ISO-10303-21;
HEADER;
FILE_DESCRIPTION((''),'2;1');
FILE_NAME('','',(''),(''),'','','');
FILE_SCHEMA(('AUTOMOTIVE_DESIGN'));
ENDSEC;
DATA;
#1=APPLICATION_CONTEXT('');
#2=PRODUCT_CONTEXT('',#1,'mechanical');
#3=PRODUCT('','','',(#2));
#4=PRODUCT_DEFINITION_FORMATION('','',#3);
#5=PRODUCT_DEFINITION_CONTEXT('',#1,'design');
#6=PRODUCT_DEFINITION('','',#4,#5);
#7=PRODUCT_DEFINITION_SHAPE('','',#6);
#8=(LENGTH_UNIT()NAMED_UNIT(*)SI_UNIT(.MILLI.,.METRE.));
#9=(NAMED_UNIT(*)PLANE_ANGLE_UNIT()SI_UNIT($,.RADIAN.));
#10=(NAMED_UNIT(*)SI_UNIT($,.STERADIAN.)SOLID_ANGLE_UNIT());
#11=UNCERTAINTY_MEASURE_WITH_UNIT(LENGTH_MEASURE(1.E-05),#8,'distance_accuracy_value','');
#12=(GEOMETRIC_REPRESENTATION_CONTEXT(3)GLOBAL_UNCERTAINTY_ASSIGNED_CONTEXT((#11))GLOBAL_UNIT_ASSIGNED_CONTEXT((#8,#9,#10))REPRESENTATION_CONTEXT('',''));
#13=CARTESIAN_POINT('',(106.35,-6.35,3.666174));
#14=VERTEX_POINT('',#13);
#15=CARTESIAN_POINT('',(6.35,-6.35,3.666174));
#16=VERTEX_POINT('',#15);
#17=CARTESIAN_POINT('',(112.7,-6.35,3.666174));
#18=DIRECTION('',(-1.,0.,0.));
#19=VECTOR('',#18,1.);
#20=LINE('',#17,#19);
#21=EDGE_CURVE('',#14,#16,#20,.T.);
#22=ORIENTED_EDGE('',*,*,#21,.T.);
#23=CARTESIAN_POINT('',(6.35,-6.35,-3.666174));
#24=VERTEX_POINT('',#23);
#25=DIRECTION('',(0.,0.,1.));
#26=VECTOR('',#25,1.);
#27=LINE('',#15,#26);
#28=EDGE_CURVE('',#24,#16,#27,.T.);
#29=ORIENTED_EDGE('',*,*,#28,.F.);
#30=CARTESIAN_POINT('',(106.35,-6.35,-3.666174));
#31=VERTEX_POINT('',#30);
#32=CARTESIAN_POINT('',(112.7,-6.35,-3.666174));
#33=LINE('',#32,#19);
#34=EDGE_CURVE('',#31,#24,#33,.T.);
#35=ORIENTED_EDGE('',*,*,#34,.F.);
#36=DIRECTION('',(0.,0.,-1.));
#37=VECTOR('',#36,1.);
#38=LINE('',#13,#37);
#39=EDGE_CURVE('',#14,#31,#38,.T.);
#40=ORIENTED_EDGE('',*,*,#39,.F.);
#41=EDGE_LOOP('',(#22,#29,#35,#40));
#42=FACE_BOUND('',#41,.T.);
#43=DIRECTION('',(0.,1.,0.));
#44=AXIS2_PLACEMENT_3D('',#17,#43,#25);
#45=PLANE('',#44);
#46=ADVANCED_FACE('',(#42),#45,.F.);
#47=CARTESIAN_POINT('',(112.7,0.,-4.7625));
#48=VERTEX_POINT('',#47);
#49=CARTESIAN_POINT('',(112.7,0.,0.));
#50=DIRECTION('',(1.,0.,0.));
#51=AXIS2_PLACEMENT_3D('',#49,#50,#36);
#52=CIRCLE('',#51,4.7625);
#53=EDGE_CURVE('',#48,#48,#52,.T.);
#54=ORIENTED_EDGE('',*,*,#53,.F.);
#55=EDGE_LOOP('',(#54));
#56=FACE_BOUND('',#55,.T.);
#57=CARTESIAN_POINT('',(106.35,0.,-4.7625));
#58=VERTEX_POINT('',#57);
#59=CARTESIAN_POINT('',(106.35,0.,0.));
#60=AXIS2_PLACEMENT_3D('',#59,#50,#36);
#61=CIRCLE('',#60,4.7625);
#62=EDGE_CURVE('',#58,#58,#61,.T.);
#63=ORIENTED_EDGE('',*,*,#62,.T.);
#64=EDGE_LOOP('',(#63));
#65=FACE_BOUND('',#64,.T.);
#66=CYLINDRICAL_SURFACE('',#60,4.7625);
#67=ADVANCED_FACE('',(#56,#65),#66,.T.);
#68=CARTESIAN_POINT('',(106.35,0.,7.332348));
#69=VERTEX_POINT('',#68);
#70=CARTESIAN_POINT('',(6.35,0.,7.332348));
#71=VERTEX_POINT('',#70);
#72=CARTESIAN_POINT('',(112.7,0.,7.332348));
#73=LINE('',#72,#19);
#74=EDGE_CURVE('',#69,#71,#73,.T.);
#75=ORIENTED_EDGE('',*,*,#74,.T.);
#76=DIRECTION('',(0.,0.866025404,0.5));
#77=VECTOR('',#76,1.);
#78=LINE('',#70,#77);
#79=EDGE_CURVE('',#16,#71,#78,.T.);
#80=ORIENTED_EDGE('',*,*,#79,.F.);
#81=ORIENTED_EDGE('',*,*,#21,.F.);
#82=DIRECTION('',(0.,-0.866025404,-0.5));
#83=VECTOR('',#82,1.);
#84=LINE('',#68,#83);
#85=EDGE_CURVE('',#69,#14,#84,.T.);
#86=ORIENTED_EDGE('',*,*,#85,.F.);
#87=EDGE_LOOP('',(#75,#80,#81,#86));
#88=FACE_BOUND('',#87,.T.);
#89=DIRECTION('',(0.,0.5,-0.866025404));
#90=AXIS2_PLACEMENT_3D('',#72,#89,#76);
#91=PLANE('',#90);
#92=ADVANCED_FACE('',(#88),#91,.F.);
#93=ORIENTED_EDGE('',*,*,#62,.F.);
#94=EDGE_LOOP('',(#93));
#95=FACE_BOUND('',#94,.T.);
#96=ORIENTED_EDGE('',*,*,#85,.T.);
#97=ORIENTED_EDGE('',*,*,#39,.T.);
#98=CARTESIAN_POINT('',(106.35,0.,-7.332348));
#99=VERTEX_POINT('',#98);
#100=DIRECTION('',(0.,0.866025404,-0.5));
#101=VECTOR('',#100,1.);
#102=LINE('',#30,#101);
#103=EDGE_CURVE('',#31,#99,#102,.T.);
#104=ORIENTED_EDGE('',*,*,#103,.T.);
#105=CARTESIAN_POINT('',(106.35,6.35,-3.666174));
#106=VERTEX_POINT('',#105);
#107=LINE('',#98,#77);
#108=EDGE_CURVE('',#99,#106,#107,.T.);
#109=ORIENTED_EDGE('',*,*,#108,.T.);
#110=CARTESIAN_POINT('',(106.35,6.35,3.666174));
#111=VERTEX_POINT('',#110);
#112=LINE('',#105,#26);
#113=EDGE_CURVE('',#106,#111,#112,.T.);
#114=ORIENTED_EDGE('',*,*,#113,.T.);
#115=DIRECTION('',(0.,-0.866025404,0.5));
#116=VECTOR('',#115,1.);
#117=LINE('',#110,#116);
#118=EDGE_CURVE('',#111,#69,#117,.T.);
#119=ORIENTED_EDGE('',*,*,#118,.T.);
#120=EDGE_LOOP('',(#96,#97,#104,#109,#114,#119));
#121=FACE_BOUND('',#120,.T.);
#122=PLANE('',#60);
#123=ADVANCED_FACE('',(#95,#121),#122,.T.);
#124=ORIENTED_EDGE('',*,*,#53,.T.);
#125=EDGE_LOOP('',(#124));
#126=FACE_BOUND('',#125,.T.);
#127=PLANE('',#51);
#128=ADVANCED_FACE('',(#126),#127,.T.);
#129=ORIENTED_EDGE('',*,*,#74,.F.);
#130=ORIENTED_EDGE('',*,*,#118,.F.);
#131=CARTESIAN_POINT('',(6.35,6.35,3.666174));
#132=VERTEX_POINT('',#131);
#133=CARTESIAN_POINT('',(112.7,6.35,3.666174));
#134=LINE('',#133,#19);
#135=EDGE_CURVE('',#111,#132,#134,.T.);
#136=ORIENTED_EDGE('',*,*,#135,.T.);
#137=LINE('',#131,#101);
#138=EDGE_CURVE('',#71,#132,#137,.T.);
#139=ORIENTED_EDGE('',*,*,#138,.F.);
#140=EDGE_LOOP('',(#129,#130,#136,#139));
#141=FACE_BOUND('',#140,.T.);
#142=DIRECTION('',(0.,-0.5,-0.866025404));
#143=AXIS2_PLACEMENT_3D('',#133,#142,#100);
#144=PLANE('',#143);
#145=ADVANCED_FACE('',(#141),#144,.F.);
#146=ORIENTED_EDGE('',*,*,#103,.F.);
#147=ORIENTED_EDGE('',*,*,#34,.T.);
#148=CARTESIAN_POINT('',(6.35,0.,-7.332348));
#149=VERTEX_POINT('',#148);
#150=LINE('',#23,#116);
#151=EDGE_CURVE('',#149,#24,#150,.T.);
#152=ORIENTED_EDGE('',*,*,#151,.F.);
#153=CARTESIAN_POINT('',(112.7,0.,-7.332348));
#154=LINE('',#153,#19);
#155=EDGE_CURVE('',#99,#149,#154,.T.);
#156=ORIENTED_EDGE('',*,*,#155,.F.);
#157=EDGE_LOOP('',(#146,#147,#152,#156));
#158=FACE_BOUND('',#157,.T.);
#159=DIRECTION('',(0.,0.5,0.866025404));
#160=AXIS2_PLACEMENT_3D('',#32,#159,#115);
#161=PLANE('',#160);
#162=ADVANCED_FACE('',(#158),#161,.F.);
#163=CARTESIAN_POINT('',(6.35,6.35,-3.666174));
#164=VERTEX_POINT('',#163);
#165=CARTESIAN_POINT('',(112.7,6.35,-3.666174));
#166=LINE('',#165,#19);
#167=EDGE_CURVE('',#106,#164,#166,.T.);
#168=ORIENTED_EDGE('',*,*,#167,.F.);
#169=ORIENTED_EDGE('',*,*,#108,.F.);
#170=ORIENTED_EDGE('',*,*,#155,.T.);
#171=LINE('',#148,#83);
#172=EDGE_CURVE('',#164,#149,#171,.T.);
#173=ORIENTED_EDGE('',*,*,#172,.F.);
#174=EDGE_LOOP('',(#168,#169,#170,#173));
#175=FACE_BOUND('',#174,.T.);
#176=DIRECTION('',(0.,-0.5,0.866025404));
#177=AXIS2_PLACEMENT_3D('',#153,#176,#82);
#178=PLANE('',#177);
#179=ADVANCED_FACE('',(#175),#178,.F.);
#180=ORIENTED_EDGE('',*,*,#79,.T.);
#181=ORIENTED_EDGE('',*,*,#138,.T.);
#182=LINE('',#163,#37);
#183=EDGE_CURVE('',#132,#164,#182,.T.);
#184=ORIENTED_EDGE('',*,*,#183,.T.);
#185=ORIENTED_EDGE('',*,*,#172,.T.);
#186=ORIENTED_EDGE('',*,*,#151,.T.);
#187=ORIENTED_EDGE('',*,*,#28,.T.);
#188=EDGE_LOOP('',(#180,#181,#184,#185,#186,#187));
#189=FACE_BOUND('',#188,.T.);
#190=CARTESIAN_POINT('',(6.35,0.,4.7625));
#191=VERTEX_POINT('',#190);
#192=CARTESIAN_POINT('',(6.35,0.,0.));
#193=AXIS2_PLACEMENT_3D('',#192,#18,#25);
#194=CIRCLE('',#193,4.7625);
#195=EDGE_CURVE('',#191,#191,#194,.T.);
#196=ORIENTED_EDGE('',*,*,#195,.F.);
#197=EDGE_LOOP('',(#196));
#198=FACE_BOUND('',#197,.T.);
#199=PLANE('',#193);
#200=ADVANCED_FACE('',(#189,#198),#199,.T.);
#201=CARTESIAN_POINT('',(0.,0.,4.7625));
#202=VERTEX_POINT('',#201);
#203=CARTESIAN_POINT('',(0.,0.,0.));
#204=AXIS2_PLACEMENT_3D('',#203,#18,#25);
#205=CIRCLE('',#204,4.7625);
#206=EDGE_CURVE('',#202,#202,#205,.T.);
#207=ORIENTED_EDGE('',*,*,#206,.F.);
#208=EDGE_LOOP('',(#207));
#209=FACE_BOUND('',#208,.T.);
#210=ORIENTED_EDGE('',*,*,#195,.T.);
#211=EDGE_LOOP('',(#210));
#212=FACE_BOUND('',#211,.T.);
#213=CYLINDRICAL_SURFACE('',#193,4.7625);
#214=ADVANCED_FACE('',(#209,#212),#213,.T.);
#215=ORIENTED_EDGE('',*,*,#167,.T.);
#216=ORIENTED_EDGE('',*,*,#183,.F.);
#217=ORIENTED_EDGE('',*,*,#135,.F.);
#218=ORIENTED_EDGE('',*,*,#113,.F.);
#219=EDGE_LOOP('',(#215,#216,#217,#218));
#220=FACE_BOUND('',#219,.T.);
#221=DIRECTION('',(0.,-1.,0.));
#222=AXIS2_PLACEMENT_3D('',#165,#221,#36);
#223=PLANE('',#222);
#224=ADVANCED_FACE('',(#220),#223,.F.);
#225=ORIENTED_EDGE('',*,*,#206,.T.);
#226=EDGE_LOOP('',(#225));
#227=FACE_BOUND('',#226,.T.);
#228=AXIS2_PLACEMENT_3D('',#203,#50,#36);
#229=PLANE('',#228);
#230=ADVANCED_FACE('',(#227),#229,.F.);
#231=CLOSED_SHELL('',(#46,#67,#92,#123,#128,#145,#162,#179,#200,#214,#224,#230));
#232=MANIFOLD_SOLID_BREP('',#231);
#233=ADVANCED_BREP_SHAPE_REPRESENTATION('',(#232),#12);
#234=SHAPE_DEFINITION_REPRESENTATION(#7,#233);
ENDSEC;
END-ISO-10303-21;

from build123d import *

# Parameters (mm, degrees)
SALIENTE_EXTRUIR1_DEPTH = 112.7
CROQUIS2_R              = 7.332348419
CROQUIS2_R_2            = 4.7625
CORTAR_EXTRUIR1_DEPTH   = 6.35
CORTAR_EXTRUIR2_START   = -6.35
CROQUIS3_R              = 7.332348419
CROQUIS3_R_2            = 4.7625
CORTAR_EXTRUIR2_DEPTH   = 6.35


with BuildPart() as part:
    # Croquis1 → Saliente-Extruir1 (new body)
    with BuildSketch(Plane(origin=(0, 0, 0), x_dir=(0, 0, -1), z_dir=(1, 0, 0))):
        Polygon((7.332348419, 0), (3.666174209, 6.35), (-3.666174209, 6.35), (-7.332348419, 0), (-3.666174209, -6.35), (3.666174209, -6.35), align=None)
    extrude(amount=SALIENTE_EXTRUIR1_DEPTH)

    # Croquis2 → Cortar-Extruir1 (cut)
    with BuildSketch(Plane(origin=(112.7, 0, 0), x_dir=(0, 0, -1), z_dir=(1, 0, 0))):
        Circle(CROQUIS2_R)
        Circle(CROQUIS2_R_2, mode=Mode.SUBTRACT)
    extrude(amount=-CORTAR_EXTRUIR1_DEPTH, mode=Mode.SUBTRACT)

    # Croquis3 → Cortar-Extruir2 (cut)
    with BuildSketch(Plane.ZY.offset(CORTAR_EXTRUIR2_START)):
        Circle(CROQUIS3_R)
        with Locations(Location((0, 0, 0), (0, 0, 180))):
            Circle(CROQUIS3_R_2, mode=Mode.SUBTRACT)
    extrude(amount=CORTAR_EXTRUIR2_DEPTH, mode=Mode.SUBTRACT)


solid = part.part
